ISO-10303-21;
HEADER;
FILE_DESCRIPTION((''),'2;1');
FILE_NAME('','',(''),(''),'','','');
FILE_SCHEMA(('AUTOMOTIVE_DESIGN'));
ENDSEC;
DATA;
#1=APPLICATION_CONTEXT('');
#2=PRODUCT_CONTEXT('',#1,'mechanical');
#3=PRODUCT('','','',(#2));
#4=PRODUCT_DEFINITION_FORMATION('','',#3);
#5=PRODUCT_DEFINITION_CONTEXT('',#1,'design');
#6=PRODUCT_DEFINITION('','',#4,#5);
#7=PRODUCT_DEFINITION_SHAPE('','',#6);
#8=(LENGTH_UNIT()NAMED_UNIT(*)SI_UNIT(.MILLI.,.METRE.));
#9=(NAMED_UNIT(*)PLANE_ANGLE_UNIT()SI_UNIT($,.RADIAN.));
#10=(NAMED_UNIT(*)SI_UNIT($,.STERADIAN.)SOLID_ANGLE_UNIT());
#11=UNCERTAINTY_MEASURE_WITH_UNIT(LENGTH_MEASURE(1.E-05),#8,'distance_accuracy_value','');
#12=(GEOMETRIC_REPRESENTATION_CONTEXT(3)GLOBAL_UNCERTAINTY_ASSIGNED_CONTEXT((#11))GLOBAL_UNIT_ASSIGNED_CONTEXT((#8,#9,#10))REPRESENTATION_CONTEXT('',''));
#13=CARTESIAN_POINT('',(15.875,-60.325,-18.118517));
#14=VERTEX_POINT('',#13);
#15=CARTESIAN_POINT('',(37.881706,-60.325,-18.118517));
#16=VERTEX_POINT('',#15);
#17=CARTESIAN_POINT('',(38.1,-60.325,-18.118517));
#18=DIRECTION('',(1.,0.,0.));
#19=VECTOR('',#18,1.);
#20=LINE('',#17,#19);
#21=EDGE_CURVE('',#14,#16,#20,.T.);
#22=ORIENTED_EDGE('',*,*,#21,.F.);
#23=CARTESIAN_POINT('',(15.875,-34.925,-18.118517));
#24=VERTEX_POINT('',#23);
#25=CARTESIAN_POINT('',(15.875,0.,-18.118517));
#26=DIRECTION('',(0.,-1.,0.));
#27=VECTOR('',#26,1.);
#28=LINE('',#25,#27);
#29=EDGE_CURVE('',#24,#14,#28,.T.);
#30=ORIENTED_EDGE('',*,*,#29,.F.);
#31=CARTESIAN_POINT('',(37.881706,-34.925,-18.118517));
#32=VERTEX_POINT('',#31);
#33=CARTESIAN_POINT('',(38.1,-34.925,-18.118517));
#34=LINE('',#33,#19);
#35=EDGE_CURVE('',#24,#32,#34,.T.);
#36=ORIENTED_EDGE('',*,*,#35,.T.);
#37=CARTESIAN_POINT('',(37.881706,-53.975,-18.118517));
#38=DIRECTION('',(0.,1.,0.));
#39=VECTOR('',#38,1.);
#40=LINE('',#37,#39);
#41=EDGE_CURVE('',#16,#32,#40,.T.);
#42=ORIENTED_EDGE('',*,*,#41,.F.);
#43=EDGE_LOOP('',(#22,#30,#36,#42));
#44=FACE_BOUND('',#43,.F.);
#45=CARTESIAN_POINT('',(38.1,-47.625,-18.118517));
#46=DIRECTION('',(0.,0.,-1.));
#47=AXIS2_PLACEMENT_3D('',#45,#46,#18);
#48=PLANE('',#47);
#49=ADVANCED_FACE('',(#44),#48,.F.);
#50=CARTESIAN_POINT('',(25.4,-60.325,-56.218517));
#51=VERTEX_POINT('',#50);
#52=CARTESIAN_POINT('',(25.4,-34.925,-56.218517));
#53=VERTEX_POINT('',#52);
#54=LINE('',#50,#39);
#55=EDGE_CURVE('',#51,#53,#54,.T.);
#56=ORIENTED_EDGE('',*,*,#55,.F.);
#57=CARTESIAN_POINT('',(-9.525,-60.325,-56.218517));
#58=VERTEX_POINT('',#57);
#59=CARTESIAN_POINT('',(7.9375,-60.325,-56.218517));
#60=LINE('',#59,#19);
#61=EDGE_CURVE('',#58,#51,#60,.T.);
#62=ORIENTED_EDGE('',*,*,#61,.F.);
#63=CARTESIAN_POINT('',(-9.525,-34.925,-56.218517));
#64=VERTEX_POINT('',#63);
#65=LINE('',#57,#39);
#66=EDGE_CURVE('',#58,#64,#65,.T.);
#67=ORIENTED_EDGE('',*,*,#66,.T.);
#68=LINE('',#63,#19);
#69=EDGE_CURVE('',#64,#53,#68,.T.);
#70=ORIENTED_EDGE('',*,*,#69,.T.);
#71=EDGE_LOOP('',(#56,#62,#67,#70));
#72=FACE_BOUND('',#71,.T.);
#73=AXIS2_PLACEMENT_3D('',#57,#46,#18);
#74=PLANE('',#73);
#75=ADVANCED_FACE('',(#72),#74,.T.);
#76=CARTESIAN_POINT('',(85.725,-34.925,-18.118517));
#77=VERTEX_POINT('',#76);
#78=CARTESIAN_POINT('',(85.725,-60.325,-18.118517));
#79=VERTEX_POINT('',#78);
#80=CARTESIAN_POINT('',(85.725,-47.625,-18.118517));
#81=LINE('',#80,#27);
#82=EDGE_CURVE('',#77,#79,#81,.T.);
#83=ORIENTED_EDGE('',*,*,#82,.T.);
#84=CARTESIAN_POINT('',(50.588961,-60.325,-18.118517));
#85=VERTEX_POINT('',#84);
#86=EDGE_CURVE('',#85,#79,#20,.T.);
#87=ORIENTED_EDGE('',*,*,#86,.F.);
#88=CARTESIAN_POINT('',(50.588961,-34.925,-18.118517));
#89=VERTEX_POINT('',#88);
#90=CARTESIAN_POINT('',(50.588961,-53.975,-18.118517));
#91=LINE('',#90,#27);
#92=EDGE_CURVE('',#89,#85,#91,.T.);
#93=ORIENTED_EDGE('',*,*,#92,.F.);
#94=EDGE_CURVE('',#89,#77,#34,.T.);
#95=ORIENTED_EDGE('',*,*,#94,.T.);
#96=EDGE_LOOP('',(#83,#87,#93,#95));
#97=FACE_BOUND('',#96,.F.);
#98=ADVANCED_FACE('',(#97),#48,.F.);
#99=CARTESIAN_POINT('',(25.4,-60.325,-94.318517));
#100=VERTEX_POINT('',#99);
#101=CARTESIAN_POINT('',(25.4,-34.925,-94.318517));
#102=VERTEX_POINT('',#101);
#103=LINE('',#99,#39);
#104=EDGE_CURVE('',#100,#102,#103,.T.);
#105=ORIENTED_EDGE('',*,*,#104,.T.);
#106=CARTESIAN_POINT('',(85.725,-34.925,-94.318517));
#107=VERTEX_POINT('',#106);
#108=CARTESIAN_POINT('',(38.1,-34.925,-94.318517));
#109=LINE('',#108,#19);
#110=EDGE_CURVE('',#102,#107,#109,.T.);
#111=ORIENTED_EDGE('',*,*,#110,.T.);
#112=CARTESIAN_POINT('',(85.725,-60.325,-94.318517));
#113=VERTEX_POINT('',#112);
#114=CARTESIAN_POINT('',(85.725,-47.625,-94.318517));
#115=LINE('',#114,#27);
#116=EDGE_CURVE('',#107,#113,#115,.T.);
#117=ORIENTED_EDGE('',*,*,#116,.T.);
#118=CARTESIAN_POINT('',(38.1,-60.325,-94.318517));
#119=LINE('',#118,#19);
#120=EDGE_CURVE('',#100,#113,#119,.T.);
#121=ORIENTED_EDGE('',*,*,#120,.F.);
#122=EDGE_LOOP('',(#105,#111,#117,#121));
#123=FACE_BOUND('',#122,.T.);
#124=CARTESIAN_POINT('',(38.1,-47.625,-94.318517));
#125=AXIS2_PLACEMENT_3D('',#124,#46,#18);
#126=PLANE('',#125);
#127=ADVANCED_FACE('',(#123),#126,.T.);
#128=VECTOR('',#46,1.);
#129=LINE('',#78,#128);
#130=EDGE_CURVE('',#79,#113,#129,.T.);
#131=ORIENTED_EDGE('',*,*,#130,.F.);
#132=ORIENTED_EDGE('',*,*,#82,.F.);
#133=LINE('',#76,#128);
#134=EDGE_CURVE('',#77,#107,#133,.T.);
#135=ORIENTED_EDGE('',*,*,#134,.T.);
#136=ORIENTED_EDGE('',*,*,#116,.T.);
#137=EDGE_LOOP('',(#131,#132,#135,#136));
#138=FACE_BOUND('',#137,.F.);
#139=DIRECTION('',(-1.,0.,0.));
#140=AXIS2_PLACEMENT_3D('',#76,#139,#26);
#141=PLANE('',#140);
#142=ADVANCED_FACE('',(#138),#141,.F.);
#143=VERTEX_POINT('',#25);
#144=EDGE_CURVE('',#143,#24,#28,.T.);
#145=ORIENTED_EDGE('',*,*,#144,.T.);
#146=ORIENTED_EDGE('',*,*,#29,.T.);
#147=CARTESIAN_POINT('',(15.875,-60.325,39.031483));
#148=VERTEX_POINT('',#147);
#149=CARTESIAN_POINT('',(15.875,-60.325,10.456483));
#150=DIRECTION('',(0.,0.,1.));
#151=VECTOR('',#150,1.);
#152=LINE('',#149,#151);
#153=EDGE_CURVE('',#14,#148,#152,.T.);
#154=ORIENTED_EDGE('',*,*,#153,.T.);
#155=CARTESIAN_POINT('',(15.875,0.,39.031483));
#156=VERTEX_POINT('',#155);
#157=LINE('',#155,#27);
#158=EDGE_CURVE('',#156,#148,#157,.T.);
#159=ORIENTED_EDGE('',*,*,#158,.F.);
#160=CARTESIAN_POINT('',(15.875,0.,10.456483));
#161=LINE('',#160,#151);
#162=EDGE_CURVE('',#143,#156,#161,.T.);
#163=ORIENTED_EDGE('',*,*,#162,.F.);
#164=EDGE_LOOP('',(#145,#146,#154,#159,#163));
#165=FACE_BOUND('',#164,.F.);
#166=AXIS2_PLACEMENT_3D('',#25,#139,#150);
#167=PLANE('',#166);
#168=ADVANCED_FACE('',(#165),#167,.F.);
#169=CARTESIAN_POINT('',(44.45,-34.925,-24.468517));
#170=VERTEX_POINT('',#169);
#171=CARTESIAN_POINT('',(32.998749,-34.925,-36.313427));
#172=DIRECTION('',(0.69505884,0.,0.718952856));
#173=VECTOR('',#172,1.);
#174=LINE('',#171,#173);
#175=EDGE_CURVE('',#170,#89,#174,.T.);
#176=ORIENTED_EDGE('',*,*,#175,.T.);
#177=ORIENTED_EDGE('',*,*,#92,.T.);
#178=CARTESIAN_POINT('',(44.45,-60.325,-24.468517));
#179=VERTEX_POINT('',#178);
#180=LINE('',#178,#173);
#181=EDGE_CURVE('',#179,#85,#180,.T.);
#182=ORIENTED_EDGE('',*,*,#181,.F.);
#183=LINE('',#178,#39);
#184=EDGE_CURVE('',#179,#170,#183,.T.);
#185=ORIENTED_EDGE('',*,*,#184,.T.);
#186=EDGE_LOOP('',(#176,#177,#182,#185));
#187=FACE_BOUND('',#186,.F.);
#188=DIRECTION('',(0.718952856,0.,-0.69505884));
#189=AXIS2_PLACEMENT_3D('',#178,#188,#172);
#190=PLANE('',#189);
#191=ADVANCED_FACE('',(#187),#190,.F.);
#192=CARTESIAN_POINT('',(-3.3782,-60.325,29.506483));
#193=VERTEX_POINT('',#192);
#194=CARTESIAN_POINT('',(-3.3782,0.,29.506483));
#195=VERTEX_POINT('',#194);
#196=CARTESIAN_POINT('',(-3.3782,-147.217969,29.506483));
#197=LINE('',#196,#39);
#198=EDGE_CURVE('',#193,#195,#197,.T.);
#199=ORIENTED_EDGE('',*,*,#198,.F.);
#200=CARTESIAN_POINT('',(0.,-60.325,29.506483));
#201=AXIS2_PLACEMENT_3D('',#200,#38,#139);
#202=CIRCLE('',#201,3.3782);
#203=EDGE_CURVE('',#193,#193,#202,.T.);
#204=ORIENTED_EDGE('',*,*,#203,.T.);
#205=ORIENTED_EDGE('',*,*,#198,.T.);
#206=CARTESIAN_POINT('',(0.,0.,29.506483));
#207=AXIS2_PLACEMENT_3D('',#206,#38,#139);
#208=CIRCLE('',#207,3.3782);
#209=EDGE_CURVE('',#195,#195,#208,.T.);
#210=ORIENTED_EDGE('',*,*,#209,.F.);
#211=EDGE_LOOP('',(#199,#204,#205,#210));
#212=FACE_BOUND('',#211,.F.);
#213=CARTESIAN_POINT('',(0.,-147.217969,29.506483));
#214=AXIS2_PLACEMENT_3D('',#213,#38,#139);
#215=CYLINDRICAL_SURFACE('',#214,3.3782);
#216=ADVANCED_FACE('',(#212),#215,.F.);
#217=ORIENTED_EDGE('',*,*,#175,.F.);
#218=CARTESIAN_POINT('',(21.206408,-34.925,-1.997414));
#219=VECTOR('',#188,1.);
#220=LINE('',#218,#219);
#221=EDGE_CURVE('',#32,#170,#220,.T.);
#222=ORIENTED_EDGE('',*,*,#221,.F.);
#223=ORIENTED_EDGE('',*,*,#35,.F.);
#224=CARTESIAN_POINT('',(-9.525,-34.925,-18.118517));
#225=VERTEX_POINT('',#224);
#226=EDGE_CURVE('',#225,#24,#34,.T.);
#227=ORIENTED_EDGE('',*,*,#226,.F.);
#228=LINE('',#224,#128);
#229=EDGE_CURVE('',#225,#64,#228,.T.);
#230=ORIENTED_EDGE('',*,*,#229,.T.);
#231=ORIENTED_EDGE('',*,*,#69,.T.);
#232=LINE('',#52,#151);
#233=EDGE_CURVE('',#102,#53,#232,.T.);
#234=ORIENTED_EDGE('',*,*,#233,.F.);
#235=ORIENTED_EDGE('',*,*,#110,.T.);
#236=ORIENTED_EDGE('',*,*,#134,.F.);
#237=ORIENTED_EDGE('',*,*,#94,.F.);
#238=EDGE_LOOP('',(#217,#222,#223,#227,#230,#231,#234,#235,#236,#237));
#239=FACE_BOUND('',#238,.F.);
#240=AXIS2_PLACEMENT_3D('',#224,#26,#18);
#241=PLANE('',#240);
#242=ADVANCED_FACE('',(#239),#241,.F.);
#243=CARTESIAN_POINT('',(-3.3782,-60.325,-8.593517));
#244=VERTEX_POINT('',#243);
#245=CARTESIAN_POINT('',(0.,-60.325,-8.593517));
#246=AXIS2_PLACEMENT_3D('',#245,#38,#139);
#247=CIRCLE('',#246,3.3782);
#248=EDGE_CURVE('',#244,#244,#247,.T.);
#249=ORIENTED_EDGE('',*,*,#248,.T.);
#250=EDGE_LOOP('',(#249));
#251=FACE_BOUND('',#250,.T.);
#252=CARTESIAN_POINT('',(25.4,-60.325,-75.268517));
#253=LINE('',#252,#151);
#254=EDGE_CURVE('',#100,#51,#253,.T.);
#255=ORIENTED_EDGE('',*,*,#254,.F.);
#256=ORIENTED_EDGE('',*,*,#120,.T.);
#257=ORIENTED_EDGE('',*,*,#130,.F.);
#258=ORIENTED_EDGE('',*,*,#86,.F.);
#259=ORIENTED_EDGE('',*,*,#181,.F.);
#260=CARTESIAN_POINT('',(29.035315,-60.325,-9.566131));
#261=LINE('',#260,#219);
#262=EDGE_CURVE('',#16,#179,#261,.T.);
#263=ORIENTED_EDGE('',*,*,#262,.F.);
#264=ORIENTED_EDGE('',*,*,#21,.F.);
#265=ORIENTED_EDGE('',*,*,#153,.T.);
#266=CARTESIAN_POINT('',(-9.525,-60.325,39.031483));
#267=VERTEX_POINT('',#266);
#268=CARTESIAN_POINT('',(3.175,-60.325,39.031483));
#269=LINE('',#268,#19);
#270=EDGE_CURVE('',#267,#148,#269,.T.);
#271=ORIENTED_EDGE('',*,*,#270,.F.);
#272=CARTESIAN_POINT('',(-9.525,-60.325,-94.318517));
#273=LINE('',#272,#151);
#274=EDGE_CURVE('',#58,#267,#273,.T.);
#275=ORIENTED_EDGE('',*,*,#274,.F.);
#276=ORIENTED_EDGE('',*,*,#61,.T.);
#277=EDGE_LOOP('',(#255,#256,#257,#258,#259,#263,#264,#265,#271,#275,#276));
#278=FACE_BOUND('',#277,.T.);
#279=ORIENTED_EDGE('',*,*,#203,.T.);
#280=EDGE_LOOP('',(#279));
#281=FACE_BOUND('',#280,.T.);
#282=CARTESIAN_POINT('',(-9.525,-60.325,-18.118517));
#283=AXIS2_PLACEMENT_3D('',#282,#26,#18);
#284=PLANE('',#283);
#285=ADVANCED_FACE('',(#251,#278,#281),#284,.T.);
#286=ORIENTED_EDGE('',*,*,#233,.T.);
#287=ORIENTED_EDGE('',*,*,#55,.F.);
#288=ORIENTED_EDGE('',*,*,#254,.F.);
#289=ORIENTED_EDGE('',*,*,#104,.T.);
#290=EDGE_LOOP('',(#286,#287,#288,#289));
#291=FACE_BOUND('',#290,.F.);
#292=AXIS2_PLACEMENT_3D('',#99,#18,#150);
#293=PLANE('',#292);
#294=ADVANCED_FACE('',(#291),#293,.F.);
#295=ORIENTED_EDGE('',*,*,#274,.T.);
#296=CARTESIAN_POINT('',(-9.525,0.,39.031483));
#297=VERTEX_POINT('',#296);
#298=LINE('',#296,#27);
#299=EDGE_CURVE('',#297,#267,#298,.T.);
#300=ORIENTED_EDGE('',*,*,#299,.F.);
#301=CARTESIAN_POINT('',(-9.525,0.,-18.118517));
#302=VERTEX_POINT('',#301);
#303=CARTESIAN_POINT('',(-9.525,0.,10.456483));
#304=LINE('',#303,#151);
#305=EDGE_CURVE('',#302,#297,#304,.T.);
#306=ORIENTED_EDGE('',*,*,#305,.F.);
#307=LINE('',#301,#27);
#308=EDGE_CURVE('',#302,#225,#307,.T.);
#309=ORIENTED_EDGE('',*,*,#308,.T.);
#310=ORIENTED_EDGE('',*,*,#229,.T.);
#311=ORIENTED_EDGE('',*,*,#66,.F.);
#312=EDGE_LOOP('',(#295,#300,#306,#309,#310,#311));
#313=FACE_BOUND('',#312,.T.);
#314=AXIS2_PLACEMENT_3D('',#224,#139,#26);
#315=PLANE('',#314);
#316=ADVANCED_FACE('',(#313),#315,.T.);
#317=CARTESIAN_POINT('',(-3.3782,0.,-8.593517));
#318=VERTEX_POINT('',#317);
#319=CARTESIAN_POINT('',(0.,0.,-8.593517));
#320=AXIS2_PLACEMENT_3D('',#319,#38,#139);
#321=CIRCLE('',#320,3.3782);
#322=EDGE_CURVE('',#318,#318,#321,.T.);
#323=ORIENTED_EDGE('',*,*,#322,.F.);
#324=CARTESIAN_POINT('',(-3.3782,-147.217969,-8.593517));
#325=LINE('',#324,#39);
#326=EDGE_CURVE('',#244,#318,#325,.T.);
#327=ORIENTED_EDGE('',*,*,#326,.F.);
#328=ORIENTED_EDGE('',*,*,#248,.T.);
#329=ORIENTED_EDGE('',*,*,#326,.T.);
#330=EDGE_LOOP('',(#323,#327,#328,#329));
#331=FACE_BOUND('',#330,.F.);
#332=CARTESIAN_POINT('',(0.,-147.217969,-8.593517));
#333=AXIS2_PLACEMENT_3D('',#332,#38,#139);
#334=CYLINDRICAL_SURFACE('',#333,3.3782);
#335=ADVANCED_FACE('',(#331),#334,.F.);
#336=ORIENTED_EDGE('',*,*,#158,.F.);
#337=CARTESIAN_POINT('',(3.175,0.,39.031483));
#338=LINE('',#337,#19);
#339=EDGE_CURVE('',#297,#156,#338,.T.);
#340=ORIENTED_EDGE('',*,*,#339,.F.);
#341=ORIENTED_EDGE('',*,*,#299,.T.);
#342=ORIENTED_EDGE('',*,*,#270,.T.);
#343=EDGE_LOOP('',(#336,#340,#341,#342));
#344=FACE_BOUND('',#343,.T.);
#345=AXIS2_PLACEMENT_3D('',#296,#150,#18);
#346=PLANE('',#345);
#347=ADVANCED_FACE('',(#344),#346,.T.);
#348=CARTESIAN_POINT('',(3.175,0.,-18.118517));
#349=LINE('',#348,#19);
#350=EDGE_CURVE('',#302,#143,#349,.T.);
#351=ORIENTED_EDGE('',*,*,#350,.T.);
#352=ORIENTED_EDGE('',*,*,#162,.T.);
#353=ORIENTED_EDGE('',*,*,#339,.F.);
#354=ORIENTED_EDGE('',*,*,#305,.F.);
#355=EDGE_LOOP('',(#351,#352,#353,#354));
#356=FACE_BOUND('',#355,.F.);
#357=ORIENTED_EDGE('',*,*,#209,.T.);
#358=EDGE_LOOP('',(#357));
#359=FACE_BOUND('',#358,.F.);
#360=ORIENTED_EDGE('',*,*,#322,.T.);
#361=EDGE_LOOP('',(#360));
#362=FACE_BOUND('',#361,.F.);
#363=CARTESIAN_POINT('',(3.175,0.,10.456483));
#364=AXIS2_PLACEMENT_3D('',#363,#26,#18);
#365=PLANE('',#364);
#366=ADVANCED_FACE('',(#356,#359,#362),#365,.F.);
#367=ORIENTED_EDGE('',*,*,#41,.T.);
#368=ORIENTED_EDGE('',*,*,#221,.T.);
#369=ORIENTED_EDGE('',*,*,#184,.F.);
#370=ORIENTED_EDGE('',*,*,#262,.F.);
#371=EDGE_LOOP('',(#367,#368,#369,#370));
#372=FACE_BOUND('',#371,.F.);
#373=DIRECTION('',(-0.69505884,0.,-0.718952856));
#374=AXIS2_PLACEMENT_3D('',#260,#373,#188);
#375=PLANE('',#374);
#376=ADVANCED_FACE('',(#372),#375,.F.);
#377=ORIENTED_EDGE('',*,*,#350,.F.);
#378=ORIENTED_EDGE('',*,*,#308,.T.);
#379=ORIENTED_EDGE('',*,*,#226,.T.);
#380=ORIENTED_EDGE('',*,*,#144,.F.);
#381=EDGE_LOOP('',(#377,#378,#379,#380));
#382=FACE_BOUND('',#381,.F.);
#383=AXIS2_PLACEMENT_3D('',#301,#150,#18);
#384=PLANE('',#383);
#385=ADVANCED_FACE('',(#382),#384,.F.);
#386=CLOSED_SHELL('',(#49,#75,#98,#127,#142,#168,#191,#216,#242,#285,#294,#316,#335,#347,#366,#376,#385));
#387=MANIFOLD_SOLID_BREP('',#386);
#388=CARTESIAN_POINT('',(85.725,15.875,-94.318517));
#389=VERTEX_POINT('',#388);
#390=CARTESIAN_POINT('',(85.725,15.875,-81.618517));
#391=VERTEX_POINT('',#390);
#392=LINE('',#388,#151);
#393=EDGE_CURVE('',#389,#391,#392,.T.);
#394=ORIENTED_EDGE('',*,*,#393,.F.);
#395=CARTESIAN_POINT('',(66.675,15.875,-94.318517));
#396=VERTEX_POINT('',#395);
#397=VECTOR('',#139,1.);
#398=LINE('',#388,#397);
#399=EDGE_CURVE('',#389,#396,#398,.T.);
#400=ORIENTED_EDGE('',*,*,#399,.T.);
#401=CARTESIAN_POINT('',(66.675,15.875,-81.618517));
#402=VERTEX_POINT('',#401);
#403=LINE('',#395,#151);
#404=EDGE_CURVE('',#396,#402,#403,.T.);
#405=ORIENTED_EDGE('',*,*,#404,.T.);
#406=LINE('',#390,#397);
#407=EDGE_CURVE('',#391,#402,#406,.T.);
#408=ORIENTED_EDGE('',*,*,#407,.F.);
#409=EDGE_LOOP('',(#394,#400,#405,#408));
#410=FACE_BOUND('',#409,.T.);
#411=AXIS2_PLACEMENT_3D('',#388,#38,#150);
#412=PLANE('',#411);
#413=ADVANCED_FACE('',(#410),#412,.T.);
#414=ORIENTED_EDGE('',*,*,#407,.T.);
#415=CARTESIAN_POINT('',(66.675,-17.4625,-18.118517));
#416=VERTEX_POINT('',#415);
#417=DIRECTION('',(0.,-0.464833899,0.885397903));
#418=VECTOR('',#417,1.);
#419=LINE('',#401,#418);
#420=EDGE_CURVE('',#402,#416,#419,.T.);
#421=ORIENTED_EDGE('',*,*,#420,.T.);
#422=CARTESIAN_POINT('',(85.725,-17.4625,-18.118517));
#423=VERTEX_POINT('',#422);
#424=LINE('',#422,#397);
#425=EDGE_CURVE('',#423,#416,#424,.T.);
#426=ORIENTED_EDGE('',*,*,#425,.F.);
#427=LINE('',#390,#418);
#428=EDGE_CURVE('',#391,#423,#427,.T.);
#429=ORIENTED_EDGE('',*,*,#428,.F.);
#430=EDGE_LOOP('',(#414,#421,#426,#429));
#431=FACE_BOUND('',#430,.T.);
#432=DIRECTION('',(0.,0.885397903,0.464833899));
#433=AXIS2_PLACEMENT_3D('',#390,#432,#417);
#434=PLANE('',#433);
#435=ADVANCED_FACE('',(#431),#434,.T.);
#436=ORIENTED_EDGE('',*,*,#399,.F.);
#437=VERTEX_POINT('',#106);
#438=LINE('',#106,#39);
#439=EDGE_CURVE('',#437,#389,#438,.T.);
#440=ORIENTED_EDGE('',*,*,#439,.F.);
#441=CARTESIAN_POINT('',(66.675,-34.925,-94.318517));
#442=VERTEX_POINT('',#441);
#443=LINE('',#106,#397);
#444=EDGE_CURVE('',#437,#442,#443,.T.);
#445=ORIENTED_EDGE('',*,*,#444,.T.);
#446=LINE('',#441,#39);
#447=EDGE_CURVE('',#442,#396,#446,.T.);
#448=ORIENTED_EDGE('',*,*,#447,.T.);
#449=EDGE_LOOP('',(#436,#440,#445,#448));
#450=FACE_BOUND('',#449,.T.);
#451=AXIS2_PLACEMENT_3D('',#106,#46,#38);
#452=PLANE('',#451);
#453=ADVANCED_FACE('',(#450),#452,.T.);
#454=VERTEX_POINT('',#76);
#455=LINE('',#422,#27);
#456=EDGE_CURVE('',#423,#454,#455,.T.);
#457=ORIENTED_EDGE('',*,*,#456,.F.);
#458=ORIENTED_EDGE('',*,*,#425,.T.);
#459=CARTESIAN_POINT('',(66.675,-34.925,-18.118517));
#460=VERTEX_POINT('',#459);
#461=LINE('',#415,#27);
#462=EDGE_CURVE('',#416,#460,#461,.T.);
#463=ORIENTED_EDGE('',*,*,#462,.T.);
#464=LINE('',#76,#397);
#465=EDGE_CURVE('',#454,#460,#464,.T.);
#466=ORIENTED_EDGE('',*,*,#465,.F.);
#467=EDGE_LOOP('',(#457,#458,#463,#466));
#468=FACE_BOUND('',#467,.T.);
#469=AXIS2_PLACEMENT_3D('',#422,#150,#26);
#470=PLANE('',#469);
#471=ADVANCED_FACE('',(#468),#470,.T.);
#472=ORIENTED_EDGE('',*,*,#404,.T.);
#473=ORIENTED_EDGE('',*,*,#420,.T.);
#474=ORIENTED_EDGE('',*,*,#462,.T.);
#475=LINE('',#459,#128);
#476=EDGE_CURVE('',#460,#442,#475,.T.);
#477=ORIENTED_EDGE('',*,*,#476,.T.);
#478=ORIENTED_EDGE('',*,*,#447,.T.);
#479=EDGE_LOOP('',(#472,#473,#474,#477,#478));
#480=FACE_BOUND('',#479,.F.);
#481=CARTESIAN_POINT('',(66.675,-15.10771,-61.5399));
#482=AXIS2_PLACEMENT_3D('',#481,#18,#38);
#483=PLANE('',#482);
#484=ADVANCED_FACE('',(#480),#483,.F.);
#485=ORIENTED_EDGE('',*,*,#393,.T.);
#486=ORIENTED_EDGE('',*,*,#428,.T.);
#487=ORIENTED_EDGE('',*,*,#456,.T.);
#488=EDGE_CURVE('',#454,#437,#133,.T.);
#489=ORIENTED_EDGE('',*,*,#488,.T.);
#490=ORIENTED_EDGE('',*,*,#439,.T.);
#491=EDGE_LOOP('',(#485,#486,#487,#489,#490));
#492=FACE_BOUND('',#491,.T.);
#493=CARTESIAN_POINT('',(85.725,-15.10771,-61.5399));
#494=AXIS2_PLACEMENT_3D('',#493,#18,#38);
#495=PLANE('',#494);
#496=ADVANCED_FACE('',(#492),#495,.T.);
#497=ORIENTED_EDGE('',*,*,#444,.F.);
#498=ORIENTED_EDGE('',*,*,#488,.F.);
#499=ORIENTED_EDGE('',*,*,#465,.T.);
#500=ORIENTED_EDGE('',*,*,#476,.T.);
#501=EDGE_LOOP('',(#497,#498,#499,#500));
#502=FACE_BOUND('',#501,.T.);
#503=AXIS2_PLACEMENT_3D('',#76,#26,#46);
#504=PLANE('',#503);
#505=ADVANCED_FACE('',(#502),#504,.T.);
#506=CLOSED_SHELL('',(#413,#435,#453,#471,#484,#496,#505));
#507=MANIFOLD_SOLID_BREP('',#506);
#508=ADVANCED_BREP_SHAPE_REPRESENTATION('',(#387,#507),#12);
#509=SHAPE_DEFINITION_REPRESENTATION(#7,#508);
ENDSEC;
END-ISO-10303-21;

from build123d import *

# Parameters (mm, degrees)
F0_W      = 25.4
F0_H      = 57.15
F1_DEPTH  = 60.325
F3_D      = 6.7564
F5_D      = 6.7564
F6_W      = 95.25
F6_H      = 25.4
F7_DEPTH  = 76.2
F8_W      = 34.925
F8_H      = 38.1
F9_DEPTH  = 50.8
F11_DEPTH = 50.8
F13_DEPTH = 19.05


with BuildPart() as f1:
    # F0 (on Front) → F1 (new body)
    with BuildSketch(Plane.XZ):
        with Locations((3.175, 10.4564832059)):
            Rectangle(F0_W, F0_H)
    extrude(amount=F1_DEPTH)

    # F3 (through all)
    with Locations(Plane.XZ.offset(60.325)):
        with Locations((0, 29.5064832059)):
            Hole(F3_D / 2)

    # F5 (through all)
    with Locations(Plane.XZ.offset(60.325)):
        with Locations((0, -8.5935167941)):
            Hole(F5_D / 2)

    # F6 (on face) → F7 (join)
    with BuildSketch(Plane(origin=(0, 0, -18.1185167941), x_dir=(1, 0, 0), z_dir=(0, 0, -1))):
        with Locations((38.1, 47.625)):
            Rectangle(F6_W, F6_H)
    extrude(amount=F7_DEPTH)

    # F8 (on face) → F9 (cut)
    with BuildSketch(Plane.XZ.offset(60.325)):
        with Locations((7.9375, -75.2685167941)):
            Rectangle(F8_W, F8_H)
    extrude(amount=-F9_DEPTH, mode=Mode.SUBTRACT)

    # F10 (on face) → F11 (cut)
    with BuildSketch(Plane.XZ.offset(60.325)):
        Polygon((57.1193047827, -11.3636797151), (29.0353151171, -9.5661307718), (44.45, -24.4685167941), align=None)
    extrude(amount=-F11_DEPTH, mode=Mode.SUBTRACT)


with BuildPart() as f13:
    # F12 (on face) → F13 (new body)
    with BuildSketch(Plane.YZ.offset(85.725)):
        Polygon((-17.4625, -18.1185167941), (-34.925, -18.1185167941), (-34.925, -94.3185167941), (15.875, -94.3185167941), (15.875, -81.6185167941), align=None)
    extrude(amount=-F13_DEPTH)


solid = Compound([f1.part, f13.part])
